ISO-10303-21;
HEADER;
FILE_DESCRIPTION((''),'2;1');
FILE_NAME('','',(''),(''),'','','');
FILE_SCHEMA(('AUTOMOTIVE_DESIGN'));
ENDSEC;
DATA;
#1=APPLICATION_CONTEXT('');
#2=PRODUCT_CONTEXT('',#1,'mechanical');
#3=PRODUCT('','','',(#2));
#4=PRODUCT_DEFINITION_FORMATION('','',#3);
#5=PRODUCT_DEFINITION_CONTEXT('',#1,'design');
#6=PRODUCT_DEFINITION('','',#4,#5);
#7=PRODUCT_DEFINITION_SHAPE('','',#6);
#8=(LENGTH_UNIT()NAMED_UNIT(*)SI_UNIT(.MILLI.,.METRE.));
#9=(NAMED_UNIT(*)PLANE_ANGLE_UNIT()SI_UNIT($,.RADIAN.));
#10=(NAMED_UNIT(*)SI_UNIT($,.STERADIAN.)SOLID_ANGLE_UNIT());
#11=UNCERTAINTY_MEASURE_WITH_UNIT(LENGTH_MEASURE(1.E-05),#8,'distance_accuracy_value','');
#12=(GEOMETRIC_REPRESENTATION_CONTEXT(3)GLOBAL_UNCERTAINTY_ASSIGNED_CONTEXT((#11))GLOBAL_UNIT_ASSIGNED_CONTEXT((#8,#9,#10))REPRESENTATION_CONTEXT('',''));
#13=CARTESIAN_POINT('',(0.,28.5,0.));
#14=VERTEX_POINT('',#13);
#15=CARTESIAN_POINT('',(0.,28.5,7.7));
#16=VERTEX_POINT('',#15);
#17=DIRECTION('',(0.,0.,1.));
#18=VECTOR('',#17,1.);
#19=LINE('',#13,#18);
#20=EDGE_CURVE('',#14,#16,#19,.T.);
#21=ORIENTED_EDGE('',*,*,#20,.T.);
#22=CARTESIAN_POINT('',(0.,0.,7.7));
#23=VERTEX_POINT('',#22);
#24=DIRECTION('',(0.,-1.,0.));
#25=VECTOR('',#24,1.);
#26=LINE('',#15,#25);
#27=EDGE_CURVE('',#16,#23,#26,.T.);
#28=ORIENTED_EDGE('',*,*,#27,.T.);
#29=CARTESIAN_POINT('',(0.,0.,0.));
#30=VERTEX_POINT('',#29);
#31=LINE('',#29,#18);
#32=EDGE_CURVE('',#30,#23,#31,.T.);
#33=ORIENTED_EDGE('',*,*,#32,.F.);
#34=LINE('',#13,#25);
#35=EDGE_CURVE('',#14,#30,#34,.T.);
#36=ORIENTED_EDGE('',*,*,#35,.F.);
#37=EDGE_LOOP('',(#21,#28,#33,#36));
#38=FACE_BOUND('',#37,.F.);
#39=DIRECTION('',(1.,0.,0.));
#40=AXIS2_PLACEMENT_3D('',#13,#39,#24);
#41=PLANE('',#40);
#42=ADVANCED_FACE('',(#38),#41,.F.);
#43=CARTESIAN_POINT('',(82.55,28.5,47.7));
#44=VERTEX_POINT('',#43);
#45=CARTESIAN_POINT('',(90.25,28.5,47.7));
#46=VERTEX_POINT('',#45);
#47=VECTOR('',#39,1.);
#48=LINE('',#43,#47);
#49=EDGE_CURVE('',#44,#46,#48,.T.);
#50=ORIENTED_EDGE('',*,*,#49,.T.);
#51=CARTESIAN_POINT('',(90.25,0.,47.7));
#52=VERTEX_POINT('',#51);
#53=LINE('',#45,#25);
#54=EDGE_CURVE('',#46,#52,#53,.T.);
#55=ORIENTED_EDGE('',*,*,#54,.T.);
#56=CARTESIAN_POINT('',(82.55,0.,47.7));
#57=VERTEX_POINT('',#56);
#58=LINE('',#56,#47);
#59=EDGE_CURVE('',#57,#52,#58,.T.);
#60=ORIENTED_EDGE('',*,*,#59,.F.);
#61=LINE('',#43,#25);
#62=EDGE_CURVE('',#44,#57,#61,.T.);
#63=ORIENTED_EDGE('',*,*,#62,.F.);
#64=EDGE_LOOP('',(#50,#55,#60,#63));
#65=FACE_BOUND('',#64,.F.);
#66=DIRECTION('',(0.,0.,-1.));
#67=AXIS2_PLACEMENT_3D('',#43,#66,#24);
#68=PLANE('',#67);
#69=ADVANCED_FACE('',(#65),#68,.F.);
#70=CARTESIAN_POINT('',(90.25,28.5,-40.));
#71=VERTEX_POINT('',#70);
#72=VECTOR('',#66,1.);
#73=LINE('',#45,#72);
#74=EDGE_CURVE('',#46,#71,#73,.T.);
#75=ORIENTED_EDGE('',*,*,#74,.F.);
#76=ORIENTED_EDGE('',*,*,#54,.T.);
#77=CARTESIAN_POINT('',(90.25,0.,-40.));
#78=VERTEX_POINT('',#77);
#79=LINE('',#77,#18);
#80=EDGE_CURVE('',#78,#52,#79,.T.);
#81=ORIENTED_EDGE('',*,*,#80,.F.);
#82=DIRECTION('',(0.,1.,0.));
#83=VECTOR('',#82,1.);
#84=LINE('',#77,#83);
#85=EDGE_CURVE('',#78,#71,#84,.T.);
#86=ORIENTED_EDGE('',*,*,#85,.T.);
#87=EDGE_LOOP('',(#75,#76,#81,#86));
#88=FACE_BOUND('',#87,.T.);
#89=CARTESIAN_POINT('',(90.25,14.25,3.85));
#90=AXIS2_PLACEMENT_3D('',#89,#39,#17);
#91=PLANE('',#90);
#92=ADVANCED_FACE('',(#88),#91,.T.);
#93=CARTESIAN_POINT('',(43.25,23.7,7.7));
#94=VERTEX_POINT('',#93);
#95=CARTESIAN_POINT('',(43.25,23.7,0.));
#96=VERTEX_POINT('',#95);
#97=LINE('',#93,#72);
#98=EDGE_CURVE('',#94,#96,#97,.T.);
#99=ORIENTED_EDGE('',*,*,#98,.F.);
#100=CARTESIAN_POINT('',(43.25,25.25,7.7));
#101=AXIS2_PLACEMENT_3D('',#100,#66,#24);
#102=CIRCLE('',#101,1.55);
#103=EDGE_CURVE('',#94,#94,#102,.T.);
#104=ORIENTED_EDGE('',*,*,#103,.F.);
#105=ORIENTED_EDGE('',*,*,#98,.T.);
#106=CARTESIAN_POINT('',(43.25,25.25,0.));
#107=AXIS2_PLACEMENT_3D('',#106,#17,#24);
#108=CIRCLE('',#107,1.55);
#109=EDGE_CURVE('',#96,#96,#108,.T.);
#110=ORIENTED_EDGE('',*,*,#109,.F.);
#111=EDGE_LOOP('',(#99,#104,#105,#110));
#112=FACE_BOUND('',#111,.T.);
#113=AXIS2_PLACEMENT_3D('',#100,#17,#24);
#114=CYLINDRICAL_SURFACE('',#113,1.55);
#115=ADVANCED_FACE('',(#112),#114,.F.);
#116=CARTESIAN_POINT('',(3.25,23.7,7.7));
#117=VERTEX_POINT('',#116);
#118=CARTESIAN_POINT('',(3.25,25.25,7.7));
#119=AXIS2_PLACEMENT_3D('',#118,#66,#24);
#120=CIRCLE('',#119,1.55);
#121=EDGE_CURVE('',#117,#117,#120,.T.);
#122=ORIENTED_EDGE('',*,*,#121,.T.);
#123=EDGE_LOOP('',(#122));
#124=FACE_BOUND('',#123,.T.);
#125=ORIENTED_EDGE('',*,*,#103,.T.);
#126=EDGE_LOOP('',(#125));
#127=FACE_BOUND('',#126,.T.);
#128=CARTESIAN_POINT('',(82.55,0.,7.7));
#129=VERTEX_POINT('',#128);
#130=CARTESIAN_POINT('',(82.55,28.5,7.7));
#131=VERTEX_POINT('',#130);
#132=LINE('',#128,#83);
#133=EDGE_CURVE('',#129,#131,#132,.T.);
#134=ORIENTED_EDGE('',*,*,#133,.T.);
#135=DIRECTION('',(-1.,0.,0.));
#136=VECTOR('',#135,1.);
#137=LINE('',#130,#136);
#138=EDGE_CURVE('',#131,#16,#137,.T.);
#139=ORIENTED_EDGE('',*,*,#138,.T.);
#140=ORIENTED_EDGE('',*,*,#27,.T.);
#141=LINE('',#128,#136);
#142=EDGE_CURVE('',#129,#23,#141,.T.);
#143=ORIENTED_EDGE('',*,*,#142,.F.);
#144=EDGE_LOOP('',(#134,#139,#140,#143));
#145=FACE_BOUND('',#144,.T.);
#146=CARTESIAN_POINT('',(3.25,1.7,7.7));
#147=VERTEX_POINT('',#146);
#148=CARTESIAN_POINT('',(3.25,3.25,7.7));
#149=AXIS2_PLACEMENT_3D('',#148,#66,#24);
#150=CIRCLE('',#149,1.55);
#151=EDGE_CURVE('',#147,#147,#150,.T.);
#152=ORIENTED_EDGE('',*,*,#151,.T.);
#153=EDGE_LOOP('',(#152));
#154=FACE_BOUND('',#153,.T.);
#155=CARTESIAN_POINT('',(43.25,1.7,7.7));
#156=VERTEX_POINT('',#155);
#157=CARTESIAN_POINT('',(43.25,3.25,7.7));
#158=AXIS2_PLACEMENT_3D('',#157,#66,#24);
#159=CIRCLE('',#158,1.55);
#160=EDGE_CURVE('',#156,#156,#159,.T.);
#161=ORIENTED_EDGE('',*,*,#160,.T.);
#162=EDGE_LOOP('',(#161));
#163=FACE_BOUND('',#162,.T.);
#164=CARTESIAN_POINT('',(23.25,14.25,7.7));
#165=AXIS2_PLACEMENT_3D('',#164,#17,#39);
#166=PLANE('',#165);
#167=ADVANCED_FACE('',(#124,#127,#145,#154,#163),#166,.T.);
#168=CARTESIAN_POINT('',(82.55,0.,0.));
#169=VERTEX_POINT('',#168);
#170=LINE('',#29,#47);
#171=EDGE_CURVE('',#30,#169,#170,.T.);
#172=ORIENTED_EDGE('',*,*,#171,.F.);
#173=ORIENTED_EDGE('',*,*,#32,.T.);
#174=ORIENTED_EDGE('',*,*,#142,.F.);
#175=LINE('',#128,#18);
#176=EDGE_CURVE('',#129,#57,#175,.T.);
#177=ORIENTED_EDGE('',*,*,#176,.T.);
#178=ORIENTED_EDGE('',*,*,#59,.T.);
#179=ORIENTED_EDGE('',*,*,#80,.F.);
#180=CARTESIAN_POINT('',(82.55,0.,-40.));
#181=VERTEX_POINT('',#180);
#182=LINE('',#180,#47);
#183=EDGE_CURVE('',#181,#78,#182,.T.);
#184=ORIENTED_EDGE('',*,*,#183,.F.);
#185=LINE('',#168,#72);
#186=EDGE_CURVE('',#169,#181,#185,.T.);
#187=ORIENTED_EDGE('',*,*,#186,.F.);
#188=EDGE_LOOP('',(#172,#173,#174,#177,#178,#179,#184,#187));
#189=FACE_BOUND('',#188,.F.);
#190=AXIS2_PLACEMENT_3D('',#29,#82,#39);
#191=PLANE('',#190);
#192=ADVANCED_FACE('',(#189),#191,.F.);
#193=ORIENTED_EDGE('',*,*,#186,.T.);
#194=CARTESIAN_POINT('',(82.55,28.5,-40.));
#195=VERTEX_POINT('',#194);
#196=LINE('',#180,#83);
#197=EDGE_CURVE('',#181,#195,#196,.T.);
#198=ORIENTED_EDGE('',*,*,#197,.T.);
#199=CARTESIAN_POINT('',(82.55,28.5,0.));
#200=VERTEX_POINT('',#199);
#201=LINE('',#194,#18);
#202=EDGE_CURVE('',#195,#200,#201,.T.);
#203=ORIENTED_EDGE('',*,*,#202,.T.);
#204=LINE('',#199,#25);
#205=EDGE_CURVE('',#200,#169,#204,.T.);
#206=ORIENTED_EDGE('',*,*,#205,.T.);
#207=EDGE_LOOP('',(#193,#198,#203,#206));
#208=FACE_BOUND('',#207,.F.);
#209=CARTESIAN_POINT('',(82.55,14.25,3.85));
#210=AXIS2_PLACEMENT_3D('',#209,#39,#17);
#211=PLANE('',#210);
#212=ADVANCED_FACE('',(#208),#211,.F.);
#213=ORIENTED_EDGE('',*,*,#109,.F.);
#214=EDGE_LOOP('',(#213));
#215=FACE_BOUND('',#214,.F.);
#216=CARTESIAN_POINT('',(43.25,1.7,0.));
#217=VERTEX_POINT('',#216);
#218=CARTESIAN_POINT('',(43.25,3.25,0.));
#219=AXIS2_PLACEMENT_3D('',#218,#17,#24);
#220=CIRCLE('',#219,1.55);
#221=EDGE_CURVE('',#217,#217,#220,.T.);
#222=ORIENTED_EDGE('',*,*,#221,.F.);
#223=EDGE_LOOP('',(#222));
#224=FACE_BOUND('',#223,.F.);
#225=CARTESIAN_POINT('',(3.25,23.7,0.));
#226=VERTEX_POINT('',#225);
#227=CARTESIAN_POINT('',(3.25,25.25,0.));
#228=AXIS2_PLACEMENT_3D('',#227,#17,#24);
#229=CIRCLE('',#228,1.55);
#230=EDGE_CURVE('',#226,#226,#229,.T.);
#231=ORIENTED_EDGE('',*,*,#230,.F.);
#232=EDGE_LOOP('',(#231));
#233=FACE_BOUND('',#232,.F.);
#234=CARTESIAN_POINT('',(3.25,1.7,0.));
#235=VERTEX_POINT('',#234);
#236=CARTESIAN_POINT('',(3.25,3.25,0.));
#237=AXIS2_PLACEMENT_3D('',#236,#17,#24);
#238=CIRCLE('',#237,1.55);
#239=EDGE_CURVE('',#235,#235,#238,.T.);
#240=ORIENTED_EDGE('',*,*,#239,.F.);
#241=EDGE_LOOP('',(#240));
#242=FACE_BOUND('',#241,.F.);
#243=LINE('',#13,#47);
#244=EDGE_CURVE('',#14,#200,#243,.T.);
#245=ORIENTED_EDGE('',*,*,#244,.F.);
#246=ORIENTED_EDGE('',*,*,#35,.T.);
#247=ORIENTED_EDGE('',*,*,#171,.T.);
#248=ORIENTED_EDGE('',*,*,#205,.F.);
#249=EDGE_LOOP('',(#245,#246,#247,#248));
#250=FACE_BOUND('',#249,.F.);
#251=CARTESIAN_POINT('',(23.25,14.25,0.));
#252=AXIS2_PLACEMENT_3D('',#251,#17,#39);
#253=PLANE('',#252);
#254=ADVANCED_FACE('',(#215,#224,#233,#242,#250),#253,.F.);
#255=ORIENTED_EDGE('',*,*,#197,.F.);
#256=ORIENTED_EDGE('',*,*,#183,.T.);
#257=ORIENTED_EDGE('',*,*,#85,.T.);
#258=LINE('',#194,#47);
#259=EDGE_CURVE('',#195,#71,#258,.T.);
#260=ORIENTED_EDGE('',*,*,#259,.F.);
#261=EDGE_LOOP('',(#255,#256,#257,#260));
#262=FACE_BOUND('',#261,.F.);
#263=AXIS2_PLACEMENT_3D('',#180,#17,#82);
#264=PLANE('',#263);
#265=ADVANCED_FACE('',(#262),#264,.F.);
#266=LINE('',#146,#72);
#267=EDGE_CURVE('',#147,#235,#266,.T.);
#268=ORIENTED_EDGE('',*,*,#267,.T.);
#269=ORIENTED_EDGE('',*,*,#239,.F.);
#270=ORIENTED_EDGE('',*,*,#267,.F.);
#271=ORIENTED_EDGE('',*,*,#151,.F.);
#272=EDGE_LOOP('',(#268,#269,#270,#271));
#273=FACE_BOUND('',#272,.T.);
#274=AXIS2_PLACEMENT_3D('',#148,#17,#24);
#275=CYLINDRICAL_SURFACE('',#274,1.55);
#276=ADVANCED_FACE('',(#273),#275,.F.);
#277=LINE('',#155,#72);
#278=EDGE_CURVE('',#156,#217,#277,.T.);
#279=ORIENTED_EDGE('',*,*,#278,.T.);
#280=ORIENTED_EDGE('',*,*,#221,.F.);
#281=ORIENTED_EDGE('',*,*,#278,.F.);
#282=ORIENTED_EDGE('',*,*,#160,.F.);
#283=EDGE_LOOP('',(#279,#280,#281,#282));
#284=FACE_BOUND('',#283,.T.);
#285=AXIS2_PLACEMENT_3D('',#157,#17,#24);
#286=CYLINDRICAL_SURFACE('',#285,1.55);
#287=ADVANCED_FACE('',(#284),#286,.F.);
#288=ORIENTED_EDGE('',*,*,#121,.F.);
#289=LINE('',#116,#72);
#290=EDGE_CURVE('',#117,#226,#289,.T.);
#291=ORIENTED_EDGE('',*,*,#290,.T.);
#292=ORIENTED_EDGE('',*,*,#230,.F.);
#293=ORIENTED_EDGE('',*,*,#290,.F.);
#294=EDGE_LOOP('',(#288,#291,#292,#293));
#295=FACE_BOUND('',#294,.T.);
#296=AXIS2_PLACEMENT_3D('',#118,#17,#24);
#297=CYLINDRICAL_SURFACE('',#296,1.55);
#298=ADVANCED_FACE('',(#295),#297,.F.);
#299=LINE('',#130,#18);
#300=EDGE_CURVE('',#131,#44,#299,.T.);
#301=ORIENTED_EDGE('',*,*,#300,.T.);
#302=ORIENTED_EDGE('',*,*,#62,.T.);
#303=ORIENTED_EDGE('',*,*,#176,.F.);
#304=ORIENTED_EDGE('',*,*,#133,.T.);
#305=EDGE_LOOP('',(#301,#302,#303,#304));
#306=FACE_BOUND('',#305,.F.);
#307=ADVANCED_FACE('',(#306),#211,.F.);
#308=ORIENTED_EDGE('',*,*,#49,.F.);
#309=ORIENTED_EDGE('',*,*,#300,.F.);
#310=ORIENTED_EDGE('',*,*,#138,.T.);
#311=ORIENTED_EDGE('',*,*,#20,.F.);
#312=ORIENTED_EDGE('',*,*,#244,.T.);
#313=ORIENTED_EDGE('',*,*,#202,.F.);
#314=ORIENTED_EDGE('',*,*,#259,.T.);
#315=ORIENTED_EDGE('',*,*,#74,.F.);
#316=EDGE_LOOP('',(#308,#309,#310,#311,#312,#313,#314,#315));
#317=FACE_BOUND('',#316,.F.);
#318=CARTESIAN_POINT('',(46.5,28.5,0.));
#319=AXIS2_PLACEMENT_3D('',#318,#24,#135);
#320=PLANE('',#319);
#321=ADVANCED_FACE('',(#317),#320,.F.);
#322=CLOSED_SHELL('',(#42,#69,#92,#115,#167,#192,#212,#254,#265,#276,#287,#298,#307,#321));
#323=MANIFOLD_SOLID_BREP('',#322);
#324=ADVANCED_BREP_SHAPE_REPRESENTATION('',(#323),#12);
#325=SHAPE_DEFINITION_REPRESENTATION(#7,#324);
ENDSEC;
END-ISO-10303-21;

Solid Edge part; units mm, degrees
sketch "Sketch1" plane through (0, 0, 0) normal (0, 0, 1) x (1, 0, 0)
  line L0 (0, 0) -> (46.5, 0)
  line L1 (46.5, 0) -> (46.5, 28.5)
  line L2 (46.5, 28.5) -> (0, 28.5)
  line L3 (0, 28.5) -> (0, 0)
extrude "Protrusion1" add sketch "Sketch1" along normal blind 7.7
hole "Bohrung_1" at (3.25, 25.25, 7.7) direction (0, 0, -1) diameter 3.1 end up to next
hole "Hole1" at (43.25, 25.25, 7.7) direction (0, 0, -1) diameter 3.1 end up to next
hole "Hole2" at (43.25, 3.25, 7.7) direction (0, 0, -1) diameter 3.1 end up to next
hole "Hole3" at (3.25, 3.25, 7.7) direction (0, 0, -1) diameter 3.1 end up to next
sketch "Sketch2" plane through (46.5, 14.25, 3.85) normal (1, 0, 0) x (0, 1, 0)
  line L0 (-14.25, 3.85) -> (14.25, 3.85)
  line L1 (14.25, 3.85) -> (14.25, -3.85)
  line L2 (14.25, -3.85) -> (-14.25, -3.85)
  line L3 (-14.25, -3.85) -> (-14.25, 3.85)
extrude "Extrusionsausprägung_2" add sketch "Sketch2" along normal blind 36.05
sketch "Sketch3" plane through (82.55, 14.25, 3.85) normal (1, 0, 0) x (0, 1, 0)
  line L0 (14.25, 3.85) -> (14.25, 43.85)
  line L1 (14.25, 43.85) -> (-14.25, 43.85)
  line L2 (-14.25, 3.85) -> (-14.25, 43.85)
  line L3 (-14.25, 3.85) -> (-14.25, -3.85)
  line L4 (-14.25, -3.85) -> (-14.25, -43.85)
  line L5 (-14.25, -43.85) -> (14.25, -43.85)
  line L6 (14.25, -43.85) -> (14.25, 3.85)
  dimension "D1" = 40
  dimension "D2" = 47.7
extrude "Extrusionsausprägung_3" add sketch "Sketch3" along normal blind 7.7
